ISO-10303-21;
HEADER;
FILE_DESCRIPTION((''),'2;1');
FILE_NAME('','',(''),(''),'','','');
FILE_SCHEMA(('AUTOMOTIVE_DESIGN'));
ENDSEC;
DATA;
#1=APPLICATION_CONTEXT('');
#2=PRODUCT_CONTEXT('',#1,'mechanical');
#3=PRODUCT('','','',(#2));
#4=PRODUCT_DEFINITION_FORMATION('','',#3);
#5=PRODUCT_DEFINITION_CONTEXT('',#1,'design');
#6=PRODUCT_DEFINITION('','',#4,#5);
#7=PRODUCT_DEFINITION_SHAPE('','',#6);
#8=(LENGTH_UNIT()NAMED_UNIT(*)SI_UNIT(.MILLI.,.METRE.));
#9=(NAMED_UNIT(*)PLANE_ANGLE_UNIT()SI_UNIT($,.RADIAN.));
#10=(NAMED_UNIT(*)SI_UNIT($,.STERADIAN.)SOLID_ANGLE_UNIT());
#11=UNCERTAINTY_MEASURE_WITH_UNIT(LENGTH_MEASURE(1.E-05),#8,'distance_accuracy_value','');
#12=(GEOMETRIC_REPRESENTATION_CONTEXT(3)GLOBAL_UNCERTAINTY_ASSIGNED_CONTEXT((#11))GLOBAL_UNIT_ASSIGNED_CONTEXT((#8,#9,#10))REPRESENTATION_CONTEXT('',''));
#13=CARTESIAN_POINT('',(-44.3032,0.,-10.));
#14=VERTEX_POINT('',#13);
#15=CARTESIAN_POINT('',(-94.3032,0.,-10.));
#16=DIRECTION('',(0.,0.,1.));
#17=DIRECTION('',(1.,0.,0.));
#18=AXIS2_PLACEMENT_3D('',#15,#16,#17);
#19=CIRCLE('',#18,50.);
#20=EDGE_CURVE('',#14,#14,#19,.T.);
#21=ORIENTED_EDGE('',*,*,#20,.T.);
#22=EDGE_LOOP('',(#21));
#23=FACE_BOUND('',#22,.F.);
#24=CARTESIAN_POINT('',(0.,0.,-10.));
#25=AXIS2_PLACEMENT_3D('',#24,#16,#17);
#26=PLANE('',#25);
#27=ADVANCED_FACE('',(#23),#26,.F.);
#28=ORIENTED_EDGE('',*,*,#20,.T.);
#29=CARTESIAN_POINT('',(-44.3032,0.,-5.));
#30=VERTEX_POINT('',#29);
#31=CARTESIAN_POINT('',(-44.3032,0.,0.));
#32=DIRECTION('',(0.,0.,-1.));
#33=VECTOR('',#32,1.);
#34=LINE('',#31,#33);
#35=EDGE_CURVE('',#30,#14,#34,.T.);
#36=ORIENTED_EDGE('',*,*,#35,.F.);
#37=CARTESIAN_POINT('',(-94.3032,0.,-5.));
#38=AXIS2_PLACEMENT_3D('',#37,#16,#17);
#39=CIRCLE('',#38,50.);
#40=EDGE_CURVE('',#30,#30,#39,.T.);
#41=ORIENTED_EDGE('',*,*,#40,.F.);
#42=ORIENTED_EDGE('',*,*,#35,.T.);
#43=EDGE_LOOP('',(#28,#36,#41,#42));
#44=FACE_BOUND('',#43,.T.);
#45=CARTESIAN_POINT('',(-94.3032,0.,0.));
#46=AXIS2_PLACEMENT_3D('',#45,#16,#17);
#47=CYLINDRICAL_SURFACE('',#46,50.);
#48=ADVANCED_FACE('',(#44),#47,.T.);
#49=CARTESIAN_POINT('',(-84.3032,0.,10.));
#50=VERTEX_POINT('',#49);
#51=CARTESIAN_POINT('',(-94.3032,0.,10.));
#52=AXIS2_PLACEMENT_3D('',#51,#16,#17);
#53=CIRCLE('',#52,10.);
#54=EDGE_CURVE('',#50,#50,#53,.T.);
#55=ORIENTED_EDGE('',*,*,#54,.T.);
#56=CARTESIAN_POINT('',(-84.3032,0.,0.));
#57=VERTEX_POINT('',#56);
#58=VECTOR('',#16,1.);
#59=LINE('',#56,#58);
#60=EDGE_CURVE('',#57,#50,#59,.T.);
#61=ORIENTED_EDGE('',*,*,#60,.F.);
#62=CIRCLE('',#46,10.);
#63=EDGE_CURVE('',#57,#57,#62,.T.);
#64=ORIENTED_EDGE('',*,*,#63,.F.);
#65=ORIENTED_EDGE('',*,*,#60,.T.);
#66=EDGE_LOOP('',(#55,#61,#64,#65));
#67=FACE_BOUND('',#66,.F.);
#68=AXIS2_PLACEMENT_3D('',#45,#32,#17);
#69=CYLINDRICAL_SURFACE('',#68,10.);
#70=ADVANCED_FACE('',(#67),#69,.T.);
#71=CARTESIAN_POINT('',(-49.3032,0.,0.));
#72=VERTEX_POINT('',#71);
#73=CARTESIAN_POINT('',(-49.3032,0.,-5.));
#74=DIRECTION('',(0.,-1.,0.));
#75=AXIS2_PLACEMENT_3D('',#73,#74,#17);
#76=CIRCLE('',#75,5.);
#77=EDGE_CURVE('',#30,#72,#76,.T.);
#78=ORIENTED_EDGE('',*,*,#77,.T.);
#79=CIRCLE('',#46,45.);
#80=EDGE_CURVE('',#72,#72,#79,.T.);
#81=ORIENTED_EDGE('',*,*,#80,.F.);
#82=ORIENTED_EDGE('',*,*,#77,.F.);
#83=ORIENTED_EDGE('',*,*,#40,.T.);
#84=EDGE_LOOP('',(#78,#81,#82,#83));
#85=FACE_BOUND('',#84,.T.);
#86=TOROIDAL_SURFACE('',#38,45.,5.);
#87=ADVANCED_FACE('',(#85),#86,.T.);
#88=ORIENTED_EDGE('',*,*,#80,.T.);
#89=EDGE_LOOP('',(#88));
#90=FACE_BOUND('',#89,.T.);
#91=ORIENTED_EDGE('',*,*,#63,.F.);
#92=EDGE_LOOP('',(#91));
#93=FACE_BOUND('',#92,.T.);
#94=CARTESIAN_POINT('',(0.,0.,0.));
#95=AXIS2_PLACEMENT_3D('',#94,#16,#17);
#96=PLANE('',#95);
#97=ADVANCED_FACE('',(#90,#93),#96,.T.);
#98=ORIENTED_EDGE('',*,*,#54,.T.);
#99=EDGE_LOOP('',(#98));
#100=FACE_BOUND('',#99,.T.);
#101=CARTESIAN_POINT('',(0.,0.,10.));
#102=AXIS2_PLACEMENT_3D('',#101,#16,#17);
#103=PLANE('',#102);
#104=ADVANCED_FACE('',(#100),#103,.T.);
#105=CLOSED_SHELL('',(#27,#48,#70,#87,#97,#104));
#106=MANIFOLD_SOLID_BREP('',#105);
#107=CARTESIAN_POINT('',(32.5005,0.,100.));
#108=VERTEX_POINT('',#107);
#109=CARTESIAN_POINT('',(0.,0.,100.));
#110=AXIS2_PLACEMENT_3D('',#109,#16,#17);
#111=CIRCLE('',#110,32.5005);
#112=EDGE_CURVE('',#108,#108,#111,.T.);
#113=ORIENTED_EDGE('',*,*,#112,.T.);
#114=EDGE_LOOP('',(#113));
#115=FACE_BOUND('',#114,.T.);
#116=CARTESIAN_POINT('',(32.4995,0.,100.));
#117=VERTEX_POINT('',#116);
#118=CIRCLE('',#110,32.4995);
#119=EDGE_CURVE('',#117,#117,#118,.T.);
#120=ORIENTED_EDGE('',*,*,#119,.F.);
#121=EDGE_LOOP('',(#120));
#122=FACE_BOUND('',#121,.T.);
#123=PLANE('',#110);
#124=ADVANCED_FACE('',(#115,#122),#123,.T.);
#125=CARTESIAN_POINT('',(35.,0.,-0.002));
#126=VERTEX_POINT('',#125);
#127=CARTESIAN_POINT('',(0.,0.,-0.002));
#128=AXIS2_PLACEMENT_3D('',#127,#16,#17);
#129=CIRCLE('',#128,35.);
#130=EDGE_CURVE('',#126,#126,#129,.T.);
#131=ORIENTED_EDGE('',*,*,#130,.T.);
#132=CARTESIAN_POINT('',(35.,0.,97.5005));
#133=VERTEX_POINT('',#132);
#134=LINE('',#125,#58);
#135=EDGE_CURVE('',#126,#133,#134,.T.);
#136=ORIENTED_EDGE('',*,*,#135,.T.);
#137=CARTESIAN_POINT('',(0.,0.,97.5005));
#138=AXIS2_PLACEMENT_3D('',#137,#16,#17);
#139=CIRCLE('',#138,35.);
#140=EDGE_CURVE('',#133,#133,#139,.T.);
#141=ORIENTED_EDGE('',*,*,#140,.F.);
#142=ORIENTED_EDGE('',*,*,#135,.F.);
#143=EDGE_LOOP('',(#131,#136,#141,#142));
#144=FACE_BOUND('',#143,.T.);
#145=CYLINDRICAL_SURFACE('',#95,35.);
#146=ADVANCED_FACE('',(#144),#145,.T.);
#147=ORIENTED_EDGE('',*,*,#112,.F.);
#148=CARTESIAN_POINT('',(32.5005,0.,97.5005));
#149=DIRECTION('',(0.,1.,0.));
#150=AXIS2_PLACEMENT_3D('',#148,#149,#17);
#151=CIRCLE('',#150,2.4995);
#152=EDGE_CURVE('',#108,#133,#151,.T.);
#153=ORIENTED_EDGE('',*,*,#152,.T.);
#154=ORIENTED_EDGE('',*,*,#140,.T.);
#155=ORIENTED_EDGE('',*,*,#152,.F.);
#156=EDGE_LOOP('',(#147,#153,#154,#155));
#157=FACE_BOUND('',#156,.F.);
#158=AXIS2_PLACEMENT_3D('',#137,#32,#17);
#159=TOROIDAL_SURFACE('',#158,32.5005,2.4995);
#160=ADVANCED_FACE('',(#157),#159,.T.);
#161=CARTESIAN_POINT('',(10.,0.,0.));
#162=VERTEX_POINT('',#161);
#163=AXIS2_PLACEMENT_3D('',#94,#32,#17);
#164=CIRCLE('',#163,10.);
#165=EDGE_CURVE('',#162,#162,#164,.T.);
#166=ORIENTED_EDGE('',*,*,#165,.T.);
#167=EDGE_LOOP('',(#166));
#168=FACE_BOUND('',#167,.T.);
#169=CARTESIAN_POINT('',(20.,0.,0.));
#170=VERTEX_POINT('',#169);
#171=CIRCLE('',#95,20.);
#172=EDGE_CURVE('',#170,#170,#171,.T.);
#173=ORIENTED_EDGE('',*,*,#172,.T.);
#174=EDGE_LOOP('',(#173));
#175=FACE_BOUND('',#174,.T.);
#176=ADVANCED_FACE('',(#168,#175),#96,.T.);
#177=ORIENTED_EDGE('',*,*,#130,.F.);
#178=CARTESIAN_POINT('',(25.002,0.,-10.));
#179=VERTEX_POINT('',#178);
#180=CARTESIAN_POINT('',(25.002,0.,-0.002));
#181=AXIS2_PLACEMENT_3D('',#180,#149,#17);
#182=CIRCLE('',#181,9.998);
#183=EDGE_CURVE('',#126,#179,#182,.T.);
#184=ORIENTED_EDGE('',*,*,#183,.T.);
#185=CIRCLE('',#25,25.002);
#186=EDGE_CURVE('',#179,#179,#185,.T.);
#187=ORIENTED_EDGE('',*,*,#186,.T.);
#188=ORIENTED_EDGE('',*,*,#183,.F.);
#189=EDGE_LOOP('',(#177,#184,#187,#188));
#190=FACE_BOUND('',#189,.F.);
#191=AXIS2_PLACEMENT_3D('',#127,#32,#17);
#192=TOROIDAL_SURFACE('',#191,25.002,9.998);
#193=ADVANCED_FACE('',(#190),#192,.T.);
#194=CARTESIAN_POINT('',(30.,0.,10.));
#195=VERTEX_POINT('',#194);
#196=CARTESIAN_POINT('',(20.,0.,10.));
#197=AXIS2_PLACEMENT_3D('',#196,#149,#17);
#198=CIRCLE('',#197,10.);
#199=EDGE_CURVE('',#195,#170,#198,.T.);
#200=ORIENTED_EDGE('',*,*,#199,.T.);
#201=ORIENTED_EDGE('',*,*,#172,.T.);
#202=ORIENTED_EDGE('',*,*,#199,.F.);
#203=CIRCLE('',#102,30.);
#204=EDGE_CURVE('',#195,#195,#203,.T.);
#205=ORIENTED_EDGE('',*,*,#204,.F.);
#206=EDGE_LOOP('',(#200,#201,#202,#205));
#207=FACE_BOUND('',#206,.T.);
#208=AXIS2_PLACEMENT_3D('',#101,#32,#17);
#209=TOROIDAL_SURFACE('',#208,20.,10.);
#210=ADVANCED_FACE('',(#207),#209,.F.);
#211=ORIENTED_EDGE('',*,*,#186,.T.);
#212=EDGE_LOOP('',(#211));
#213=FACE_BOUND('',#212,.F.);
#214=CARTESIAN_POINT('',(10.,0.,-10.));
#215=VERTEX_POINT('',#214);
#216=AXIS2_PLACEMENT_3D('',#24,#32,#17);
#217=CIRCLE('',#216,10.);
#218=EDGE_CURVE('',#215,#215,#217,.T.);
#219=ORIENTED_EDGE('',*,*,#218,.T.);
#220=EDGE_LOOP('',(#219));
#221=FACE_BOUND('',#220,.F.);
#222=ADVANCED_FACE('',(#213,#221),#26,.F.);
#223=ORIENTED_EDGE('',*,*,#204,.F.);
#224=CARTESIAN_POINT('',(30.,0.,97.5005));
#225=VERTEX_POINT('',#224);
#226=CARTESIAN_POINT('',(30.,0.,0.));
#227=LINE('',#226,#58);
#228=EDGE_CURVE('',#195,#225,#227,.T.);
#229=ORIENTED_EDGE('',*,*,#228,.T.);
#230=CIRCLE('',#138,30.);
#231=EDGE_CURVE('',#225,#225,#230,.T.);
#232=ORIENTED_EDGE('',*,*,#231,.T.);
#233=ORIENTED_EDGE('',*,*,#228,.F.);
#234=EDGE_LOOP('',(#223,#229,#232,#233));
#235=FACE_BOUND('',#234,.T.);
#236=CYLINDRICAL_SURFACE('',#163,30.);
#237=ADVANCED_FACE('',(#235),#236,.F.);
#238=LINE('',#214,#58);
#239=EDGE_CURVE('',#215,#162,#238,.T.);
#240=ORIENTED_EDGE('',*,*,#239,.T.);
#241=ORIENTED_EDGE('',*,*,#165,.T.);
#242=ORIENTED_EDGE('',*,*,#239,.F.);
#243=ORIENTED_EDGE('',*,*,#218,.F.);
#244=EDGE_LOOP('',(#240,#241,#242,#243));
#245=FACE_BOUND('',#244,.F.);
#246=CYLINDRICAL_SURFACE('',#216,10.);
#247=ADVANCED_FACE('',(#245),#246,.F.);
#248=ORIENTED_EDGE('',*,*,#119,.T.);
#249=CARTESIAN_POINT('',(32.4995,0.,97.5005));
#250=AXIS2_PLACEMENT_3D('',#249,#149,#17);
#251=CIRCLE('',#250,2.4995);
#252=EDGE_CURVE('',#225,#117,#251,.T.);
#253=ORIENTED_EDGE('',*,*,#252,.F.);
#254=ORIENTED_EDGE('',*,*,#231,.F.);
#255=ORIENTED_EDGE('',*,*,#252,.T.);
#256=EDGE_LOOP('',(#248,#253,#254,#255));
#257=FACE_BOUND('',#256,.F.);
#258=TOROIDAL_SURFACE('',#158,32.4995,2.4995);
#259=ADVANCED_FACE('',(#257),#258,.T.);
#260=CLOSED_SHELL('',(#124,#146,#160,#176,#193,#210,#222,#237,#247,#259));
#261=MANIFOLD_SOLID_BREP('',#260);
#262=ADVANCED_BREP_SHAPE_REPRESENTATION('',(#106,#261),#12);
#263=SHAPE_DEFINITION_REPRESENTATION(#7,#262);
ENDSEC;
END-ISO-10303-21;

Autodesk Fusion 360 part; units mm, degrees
sketch "Sketch1" plane through (0, 0, 0) normal (0, 0, 1) x (1, 0, 0)
  circle A0 centre (0, 0) radius 30
  circle A1 centre (0, 0) radius 35
  dimension "d1" = 60
  dimension "d2" = 70
extrude "Extrude1" add sketch "Sketch1" along normal blind 100 makes body 1
extrude "Extrude2" add sketch "Sketch1" against normal blind 10 contours A0 | A1 bodies 1
fillet "Fillet1" radius 10 1 edges at (-32.6315, 12.6565, -10) on bodies 1
fillet "Fillet2" radius 10 1 edges at (-27.9698, 10.8485, 0) on bodies 1
sketch "Sketch2" plane through (0, 0, -10) normal (0, 0, -1) x (1, 0, 0)
  circle A0 centre (0, 0) radius 25
  circle A1 centre (0, 0) radius 10
  dimension "d11" = 20
extrude "Extrude3" cut sketch "Sketch2" against normal blind 45 contours A1 bodies 1
sketch "Sketch3" plane through (0, 0, 0) normal (0, 0, 1) x (1, 0, 0)
  circle A0 centre (-94.3032, 0) radius 50
  circle A1 centre (-94.3032, 0) radius 10
  dimension "d14" = 100
  dimension "d15" = 20
extrude "Extrude4" add sketch "Sketch3" against normal blind 10 separate body contours A0 | A1 makes body 2
extrude "Extrude5" add sketch "Sketch3" along normal blind 10 contours A1 bodies 2
fillet "Fillet3" radius 2.5 2 edges at (-32.6315, -12.6565, 100) (-27.9698, 10.8485, 100) on bodies 1
fillet "Fillet4" radius 5 1 edges at (-140.9195, -18.0808, 0) on bodies 2
